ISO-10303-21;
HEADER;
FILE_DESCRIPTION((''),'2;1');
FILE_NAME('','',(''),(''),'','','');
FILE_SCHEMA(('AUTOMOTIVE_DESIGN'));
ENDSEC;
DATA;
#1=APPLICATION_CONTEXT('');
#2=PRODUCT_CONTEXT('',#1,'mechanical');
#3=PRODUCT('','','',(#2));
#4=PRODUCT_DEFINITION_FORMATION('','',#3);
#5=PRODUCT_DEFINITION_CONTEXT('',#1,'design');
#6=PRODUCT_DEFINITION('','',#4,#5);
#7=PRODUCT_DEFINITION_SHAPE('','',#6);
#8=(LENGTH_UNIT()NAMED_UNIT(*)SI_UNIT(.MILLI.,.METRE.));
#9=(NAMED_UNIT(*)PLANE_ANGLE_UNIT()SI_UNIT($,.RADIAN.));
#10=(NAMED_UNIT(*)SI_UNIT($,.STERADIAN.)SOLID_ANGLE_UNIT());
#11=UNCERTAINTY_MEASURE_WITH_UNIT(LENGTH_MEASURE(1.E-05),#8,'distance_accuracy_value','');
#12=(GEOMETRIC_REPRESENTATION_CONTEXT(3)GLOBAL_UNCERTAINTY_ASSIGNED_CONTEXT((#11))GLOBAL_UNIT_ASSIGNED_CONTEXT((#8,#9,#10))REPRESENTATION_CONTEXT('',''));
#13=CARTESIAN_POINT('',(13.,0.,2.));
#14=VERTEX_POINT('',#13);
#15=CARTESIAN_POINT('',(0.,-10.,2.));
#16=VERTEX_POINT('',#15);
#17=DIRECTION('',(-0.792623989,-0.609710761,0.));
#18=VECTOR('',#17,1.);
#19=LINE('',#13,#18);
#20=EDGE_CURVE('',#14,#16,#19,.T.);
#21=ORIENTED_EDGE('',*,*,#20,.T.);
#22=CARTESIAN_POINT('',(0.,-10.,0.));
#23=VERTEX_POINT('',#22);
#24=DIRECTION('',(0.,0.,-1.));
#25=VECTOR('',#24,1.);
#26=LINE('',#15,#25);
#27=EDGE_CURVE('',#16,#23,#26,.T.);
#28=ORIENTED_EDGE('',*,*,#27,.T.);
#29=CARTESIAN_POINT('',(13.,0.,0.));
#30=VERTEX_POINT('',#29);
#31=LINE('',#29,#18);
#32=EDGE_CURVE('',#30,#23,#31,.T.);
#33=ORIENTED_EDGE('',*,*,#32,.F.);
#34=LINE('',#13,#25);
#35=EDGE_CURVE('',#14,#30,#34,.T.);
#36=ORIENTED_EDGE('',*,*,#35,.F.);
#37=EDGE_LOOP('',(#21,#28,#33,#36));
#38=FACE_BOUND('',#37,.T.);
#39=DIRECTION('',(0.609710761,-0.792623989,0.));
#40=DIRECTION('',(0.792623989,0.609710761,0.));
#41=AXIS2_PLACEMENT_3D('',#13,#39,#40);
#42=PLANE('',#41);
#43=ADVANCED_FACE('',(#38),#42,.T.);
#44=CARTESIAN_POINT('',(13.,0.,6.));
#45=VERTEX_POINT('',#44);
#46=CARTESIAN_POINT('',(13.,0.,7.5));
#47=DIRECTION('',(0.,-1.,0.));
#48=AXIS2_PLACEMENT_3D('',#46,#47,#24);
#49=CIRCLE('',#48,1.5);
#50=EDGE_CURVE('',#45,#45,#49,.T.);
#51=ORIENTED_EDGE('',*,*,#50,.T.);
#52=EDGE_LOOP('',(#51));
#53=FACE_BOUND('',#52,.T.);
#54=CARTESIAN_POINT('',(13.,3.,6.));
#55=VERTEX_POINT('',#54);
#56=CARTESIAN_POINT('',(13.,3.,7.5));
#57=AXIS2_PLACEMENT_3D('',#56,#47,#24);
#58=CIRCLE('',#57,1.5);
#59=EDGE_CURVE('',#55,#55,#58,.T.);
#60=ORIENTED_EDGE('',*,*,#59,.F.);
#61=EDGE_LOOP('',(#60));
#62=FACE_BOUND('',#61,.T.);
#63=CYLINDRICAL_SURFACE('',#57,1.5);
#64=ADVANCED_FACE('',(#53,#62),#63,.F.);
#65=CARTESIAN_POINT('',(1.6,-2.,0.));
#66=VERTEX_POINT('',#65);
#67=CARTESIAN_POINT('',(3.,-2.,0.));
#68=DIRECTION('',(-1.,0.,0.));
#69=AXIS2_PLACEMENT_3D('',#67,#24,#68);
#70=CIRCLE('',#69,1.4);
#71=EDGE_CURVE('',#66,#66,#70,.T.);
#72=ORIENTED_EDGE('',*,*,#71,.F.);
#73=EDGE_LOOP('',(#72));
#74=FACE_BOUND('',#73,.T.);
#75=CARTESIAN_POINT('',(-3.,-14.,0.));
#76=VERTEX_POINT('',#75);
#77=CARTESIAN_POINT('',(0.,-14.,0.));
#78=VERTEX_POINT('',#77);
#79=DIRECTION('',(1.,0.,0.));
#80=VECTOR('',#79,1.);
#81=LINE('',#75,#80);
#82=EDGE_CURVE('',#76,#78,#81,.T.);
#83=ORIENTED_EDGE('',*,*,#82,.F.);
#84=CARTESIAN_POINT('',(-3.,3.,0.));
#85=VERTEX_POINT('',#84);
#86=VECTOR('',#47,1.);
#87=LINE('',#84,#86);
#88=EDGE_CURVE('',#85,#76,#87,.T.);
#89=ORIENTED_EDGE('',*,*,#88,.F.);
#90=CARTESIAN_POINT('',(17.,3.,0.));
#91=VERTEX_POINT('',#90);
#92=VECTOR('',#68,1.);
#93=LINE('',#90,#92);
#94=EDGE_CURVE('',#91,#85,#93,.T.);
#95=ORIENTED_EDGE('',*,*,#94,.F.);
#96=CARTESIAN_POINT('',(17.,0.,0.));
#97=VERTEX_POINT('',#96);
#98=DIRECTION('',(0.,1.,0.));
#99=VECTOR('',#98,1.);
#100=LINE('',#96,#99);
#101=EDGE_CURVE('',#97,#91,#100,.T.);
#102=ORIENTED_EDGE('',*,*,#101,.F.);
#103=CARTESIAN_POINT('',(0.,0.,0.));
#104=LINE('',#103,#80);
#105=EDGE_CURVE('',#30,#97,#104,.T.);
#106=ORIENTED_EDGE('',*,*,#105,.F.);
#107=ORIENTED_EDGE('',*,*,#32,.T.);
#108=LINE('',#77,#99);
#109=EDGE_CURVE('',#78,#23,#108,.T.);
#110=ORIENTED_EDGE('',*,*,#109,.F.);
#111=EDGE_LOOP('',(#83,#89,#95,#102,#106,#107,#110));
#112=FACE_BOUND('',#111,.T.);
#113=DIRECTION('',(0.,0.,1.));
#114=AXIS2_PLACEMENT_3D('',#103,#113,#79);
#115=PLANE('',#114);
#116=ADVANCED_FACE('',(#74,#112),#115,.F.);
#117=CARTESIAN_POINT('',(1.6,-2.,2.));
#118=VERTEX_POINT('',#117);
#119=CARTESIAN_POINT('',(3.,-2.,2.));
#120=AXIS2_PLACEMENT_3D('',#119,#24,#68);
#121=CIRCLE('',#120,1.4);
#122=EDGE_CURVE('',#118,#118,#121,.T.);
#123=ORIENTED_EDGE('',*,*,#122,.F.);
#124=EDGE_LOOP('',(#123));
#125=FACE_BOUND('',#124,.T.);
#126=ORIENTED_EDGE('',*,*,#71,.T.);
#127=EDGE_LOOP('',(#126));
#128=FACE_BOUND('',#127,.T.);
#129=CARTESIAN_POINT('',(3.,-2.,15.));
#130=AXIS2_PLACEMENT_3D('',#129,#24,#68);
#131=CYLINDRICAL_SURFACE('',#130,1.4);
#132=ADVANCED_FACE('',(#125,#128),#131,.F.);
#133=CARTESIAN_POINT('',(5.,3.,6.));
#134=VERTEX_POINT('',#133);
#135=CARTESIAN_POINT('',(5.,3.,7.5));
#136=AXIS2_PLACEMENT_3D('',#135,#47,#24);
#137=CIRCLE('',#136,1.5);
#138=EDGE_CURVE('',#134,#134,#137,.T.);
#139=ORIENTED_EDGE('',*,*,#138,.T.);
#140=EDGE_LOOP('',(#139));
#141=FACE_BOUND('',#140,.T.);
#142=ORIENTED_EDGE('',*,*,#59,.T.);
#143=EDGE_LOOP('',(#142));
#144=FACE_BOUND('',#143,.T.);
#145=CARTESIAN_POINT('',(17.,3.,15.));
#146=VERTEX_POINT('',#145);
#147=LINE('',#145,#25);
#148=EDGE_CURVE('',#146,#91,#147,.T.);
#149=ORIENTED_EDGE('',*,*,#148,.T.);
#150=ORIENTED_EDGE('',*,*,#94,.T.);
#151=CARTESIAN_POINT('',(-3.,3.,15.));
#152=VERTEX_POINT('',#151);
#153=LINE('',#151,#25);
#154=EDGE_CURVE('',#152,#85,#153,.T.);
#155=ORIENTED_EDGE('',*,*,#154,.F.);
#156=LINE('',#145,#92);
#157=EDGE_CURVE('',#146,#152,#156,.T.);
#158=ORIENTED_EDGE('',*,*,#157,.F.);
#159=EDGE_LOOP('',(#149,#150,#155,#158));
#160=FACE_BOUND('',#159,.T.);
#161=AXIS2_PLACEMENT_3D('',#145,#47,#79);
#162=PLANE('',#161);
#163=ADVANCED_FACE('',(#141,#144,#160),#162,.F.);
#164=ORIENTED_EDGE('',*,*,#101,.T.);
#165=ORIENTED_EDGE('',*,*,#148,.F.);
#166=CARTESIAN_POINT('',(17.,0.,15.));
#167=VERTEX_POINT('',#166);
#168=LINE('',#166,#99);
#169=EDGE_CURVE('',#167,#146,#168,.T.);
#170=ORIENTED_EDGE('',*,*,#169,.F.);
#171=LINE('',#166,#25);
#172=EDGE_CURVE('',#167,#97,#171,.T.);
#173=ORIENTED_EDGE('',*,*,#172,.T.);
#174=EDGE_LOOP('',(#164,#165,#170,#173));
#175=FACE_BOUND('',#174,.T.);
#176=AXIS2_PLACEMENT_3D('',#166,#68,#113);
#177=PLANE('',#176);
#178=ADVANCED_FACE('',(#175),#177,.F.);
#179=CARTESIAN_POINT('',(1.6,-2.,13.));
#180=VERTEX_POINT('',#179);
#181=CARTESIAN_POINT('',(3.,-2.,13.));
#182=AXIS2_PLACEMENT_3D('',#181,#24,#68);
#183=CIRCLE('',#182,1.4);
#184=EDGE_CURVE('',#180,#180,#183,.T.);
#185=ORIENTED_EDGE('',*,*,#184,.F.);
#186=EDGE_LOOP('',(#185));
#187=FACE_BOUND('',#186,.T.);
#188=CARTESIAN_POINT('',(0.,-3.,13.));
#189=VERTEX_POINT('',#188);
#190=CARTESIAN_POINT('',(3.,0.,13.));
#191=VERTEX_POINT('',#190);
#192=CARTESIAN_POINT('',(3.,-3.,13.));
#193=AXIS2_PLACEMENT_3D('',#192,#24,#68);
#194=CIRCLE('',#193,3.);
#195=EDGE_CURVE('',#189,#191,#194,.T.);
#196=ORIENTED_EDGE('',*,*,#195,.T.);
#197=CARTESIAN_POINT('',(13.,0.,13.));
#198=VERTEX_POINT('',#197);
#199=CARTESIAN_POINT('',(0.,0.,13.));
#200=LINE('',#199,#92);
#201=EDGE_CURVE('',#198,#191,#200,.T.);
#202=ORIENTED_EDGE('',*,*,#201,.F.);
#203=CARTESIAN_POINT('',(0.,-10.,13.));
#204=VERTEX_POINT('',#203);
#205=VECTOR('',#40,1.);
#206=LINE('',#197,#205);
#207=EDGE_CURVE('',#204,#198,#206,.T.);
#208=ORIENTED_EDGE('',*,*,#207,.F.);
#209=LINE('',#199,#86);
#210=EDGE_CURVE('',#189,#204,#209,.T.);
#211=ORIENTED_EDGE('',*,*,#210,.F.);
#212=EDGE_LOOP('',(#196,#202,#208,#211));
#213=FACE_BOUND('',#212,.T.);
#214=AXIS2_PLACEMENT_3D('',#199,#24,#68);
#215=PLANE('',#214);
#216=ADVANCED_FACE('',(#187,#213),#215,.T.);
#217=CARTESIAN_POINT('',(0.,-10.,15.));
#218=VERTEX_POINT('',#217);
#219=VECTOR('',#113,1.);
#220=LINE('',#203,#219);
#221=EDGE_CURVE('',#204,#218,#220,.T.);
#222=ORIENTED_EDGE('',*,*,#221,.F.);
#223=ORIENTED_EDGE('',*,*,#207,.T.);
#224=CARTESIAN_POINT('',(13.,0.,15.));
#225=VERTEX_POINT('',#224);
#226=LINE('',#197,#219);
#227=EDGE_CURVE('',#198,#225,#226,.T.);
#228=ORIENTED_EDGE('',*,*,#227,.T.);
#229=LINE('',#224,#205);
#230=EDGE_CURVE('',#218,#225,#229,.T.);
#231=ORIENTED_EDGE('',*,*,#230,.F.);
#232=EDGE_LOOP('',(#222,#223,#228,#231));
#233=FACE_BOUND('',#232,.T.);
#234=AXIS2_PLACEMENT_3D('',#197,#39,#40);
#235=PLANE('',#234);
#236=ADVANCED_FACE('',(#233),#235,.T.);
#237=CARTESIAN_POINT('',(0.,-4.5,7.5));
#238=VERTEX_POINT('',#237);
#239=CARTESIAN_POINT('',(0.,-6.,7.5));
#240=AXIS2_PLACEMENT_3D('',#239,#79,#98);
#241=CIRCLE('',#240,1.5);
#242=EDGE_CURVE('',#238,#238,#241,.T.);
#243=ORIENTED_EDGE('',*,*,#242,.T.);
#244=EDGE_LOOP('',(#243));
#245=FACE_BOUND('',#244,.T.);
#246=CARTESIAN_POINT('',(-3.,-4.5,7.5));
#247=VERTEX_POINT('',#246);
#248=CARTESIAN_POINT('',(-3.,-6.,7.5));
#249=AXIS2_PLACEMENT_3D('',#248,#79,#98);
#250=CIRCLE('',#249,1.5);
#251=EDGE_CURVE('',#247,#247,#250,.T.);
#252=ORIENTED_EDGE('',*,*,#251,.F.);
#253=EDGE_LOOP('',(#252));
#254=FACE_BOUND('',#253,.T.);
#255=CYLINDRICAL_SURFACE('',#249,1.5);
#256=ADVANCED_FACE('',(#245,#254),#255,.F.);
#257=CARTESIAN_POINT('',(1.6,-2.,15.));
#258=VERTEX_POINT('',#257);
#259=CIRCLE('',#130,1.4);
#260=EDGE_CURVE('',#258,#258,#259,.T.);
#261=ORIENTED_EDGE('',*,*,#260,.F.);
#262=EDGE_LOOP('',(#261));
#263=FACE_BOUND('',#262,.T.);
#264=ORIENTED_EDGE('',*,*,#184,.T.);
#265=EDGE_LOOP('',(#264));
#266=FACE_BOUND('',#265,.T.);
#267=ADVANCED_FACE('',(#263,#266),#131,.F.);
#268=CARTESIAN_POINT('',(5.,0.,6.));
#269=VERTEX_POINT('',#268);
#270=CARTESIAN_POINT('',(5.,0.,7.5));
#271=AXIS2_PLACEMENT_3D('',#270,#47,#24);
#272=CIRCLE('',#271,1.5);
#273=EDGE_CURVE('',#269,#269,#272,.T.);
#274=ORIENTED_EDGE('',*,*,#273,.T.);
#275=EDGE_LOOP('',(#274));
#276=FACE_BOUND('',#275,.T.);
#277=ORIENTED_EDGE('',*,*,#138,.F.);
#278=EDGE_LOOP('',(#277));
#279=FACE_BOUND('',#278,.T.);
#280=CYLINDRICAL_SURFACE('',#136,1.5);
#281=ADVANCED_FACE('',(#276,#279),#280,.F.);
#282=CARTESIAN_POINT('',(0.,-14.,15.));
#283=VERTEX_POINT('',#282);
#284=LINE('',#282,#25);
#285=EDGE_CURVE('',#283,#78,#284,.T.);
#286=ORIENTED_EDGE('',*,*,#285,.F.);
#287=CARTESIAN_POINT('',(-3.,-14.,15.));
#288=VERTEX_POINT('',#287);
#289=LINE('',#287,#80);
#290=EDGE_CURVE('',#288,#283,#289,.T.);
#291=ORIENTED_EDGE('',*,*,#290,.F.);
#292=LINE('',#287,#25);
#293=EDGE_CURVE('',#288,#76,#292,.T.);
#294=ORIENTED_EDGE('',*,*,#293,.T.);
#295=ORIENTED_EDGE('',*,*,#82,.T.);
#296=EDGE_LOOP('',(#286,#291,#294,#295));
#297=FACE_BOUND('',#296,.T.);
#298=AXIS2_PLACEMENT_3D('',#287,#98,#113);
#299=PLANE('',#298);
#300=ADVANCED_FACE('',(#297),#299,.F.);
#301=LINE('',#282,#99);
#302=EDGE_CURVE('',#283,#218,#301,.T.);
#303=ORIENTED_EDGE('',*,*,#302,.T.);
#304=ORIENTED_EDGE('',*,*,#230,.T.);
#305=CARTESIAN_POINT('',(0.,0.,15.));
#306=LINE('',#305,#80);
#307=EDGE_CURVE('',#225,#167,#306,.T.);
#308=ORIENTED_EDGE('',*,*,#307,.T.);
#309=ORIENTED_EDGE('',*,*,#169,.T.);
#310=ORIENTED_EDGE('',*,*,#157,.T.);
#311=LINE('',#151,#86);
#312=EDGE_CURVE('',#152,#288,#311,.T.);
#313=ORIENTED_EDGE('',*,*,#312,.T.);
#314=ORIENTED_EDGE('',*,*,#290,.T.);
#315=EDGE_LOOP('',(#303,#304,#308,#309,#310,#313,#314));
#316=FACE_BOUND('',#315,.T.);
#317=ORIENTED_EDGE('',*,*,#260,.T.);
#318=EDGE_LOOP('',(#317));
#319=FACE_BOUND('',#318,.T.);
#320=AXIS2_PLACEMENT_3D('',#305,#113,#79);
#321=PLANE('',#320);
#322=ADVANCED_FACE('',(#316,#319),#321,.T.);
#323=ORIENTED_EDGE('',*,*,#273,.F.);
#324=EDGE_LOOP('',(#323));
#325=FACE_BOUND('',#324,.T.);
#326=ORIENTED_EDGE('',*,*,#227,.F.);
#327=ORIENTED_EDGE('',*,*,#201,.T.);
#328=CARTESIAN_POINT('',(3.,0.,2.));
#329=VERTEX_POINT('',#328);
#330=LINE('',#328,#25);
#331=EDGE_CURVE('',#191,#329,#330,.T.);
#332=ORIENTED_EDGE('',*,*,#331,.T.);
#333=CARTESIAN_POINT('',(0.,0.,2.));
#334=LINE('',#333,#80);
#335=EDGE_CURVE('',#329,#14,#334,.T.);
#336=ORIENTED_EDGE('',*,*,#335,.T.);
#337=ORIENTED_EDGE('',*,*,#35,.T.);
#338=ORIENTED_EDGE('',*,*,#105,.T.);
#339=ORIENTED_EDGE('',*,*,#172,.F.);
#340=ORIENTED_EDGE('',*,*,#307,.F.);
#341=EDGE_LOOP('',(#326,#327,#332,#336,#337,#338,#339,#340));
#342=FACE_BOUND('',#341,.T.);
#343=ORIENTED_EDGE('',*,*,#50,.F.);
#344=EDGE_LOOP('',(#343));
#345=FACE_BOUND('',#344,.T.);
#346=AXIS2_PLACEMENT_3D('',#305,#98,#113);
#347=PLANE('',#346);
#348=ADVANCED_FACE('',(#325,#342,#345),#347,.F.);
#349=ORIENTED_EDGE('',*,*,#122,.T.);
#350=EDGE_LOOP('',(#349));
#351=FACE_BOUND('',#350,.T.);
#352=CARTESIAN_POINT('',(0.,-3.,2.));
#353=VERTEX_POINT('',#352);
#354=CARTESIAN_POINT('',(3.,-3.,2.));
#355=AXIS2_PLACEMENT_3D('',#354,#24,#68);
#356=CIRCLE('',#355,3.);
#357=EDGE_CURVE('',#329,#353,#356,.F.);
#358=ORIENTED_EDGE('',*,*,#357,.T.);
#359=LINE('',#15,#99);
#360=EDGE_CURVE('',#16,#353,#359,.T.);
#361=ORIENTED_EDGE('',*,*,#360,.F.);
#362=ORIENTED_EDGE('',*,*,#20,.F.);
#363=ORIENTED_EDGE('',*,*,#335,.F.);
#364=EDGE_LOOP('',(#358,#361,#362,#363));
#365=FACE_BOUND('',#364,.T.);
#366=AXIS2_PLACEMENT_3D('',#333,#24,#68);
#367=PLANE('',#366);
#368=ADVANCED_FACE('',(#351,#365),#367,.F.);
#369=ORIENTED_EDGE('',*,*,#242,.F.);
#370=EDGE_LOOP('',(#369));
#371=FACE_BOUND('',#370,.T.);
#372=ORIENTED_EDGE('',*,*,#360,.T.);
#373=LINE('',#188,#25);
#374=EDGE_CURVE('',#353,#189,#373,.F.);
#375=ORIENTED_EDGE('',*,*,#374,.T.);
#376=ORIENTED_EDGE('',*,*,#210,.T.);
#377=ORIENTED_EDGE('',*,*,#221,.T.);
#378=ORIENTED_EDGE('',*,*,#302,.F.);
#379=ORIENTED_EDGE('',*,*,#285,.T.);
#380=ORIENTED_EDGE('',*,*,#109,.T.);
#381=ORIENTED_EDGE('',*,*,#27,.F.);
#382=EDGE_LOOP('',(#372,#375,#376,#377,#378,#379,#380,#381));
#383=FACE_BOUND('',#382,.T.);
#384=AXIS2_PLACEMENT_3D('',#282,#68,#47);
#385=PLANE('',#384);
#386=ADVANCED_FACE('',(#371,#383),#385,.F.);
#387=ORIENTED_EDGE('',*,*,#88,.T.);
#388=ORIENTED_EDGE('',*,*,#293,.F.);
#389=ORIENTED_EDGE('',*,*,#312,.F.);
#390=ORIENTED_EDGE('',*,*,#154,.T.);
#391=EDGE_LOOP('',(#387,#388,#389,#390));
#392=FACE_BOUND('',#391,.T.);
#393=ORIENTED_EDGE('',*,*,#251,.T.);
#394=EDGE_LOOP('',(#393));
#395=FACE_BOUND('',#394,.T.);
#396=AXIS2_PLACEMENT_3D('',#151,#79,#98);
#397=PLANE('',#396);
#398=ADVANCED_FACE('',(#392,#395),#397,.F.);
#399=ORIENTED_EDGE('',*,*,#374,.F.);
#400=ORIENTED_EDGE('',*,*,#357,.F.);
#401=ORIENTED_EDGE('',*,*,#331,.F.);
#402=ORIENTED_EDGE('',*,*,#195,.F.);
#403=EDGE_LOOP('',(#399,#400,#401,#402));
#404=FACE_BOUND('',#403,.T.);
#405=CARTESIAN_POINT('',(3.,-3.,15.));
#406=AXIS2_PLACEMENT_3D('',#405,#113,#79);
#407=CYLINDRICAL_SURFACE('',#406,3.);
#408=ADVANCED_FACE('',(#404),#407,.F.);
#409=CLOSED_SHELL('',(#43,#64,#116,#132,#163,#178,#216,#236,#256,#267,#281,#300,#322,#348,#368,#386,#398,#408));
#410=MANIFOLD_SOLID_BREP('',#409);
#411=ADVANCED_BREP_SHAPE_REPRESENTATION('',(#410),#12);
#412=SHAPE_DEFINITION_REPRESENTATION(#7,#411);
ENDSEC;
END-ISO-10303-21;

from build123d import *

# Parameters (mm, degrees)
EXTRUDE_1_DEPTH     = 15
SKETCH_2_R          = 1.5
CUT_EXTRUDE_1_DEPTH = 3
SKETCH_3_R          = 1.5
CUT_EXTRUDE_2_DEPTH = 3
EXTRUDE_2_DEPTH     = 2
EXTRUDE_3_DEPTH     = 2
SKETCH_6_R          = 1.4
CUT_EXTRUDE_3_DEPTH = 27.645825189
FILLET_1_R          = 3


with BuildPart() as part:
    # 草图1 → 凸台-拉伸1 (new body)
    with BuildSketch(Plane.XY):
        Polygon((0, -14), (0, 0), (17, 0), (17, 3), (-3, 3), (-3, -14), align=None)
    extrude(amount=EXTRUDE_1_DEPTH)

    # 草图2 → 切除-拉伸1 (cut)
    with BuildSketch(Plane(origin=(0, 0, 0), x_dir=(0, 0, -1), z_dir=(1, 0, 0))):
        with Locations(Location((-7.5, -6, 0), (0, 0, 90))):
            Circle(SKETCH_2_R)
    extrude(amount=-CUT_EXTRUDE_1_DEPTH, mode=Mode.SUBTRACT)

    # 草图3 → 切除-拉伸2 (cut)
    with BuildSketch(Plane.XZ):
        with Locations(Location((13, 7.5, 0), (0, 0, 270))):
            Circle(SKETCH_3_R)
        with Locations(Location((5, 7.5, 0), (0, 0, 270))):
            Circle(SKETCH_3_R)
    extrude(amount=-CUT_EXTRUDE_2_DEPTH, mode=Mode.SUBTRACT)

    # 草图4 → 凸台-拉伸2 (add)
    with BuildSketch(Plane.XY.offset(15)):
        Polygon((0, 0), (0, -10), (13, 0), align=None)
    extrude(amount=-EXTRUDE_2_DEPTH)

    # 草图5 → 凸台-拉伸3 (add)
    with BuildSketch(Plane(origin=(0, 0, 0), x_dir=(-1, 0, 0), z_dir=(0, 0, -1))):
        Polygon((0, 0), (-13, 0), (0, -10), align=None)
    extrude(amount=-EXTRUDE_3_DEPTH)

    # 草图6 → 切除-拉伸3 (cut, through all)
    with BuildSketch(Plane(origin=(0, 0, 0), x_dir=(-1, 0, 0), z_dir=(0, 0, -1))):
        with Locations((-3, -2)):
            Circle(SKETCH_6_R)
    extrude(amount=-CUT_EXTRUDE_3_DEPTH, mode=Mode.SUBTRACT)

    # 圆角1
    fillet_1_edges = [part.edges().sort_by_distance(p)[0] for p in [
        (0, 0, 7.5),
    ]]
    fillet(fillet_1_edges, radius=FILLET_1_R)


solid = part.part
